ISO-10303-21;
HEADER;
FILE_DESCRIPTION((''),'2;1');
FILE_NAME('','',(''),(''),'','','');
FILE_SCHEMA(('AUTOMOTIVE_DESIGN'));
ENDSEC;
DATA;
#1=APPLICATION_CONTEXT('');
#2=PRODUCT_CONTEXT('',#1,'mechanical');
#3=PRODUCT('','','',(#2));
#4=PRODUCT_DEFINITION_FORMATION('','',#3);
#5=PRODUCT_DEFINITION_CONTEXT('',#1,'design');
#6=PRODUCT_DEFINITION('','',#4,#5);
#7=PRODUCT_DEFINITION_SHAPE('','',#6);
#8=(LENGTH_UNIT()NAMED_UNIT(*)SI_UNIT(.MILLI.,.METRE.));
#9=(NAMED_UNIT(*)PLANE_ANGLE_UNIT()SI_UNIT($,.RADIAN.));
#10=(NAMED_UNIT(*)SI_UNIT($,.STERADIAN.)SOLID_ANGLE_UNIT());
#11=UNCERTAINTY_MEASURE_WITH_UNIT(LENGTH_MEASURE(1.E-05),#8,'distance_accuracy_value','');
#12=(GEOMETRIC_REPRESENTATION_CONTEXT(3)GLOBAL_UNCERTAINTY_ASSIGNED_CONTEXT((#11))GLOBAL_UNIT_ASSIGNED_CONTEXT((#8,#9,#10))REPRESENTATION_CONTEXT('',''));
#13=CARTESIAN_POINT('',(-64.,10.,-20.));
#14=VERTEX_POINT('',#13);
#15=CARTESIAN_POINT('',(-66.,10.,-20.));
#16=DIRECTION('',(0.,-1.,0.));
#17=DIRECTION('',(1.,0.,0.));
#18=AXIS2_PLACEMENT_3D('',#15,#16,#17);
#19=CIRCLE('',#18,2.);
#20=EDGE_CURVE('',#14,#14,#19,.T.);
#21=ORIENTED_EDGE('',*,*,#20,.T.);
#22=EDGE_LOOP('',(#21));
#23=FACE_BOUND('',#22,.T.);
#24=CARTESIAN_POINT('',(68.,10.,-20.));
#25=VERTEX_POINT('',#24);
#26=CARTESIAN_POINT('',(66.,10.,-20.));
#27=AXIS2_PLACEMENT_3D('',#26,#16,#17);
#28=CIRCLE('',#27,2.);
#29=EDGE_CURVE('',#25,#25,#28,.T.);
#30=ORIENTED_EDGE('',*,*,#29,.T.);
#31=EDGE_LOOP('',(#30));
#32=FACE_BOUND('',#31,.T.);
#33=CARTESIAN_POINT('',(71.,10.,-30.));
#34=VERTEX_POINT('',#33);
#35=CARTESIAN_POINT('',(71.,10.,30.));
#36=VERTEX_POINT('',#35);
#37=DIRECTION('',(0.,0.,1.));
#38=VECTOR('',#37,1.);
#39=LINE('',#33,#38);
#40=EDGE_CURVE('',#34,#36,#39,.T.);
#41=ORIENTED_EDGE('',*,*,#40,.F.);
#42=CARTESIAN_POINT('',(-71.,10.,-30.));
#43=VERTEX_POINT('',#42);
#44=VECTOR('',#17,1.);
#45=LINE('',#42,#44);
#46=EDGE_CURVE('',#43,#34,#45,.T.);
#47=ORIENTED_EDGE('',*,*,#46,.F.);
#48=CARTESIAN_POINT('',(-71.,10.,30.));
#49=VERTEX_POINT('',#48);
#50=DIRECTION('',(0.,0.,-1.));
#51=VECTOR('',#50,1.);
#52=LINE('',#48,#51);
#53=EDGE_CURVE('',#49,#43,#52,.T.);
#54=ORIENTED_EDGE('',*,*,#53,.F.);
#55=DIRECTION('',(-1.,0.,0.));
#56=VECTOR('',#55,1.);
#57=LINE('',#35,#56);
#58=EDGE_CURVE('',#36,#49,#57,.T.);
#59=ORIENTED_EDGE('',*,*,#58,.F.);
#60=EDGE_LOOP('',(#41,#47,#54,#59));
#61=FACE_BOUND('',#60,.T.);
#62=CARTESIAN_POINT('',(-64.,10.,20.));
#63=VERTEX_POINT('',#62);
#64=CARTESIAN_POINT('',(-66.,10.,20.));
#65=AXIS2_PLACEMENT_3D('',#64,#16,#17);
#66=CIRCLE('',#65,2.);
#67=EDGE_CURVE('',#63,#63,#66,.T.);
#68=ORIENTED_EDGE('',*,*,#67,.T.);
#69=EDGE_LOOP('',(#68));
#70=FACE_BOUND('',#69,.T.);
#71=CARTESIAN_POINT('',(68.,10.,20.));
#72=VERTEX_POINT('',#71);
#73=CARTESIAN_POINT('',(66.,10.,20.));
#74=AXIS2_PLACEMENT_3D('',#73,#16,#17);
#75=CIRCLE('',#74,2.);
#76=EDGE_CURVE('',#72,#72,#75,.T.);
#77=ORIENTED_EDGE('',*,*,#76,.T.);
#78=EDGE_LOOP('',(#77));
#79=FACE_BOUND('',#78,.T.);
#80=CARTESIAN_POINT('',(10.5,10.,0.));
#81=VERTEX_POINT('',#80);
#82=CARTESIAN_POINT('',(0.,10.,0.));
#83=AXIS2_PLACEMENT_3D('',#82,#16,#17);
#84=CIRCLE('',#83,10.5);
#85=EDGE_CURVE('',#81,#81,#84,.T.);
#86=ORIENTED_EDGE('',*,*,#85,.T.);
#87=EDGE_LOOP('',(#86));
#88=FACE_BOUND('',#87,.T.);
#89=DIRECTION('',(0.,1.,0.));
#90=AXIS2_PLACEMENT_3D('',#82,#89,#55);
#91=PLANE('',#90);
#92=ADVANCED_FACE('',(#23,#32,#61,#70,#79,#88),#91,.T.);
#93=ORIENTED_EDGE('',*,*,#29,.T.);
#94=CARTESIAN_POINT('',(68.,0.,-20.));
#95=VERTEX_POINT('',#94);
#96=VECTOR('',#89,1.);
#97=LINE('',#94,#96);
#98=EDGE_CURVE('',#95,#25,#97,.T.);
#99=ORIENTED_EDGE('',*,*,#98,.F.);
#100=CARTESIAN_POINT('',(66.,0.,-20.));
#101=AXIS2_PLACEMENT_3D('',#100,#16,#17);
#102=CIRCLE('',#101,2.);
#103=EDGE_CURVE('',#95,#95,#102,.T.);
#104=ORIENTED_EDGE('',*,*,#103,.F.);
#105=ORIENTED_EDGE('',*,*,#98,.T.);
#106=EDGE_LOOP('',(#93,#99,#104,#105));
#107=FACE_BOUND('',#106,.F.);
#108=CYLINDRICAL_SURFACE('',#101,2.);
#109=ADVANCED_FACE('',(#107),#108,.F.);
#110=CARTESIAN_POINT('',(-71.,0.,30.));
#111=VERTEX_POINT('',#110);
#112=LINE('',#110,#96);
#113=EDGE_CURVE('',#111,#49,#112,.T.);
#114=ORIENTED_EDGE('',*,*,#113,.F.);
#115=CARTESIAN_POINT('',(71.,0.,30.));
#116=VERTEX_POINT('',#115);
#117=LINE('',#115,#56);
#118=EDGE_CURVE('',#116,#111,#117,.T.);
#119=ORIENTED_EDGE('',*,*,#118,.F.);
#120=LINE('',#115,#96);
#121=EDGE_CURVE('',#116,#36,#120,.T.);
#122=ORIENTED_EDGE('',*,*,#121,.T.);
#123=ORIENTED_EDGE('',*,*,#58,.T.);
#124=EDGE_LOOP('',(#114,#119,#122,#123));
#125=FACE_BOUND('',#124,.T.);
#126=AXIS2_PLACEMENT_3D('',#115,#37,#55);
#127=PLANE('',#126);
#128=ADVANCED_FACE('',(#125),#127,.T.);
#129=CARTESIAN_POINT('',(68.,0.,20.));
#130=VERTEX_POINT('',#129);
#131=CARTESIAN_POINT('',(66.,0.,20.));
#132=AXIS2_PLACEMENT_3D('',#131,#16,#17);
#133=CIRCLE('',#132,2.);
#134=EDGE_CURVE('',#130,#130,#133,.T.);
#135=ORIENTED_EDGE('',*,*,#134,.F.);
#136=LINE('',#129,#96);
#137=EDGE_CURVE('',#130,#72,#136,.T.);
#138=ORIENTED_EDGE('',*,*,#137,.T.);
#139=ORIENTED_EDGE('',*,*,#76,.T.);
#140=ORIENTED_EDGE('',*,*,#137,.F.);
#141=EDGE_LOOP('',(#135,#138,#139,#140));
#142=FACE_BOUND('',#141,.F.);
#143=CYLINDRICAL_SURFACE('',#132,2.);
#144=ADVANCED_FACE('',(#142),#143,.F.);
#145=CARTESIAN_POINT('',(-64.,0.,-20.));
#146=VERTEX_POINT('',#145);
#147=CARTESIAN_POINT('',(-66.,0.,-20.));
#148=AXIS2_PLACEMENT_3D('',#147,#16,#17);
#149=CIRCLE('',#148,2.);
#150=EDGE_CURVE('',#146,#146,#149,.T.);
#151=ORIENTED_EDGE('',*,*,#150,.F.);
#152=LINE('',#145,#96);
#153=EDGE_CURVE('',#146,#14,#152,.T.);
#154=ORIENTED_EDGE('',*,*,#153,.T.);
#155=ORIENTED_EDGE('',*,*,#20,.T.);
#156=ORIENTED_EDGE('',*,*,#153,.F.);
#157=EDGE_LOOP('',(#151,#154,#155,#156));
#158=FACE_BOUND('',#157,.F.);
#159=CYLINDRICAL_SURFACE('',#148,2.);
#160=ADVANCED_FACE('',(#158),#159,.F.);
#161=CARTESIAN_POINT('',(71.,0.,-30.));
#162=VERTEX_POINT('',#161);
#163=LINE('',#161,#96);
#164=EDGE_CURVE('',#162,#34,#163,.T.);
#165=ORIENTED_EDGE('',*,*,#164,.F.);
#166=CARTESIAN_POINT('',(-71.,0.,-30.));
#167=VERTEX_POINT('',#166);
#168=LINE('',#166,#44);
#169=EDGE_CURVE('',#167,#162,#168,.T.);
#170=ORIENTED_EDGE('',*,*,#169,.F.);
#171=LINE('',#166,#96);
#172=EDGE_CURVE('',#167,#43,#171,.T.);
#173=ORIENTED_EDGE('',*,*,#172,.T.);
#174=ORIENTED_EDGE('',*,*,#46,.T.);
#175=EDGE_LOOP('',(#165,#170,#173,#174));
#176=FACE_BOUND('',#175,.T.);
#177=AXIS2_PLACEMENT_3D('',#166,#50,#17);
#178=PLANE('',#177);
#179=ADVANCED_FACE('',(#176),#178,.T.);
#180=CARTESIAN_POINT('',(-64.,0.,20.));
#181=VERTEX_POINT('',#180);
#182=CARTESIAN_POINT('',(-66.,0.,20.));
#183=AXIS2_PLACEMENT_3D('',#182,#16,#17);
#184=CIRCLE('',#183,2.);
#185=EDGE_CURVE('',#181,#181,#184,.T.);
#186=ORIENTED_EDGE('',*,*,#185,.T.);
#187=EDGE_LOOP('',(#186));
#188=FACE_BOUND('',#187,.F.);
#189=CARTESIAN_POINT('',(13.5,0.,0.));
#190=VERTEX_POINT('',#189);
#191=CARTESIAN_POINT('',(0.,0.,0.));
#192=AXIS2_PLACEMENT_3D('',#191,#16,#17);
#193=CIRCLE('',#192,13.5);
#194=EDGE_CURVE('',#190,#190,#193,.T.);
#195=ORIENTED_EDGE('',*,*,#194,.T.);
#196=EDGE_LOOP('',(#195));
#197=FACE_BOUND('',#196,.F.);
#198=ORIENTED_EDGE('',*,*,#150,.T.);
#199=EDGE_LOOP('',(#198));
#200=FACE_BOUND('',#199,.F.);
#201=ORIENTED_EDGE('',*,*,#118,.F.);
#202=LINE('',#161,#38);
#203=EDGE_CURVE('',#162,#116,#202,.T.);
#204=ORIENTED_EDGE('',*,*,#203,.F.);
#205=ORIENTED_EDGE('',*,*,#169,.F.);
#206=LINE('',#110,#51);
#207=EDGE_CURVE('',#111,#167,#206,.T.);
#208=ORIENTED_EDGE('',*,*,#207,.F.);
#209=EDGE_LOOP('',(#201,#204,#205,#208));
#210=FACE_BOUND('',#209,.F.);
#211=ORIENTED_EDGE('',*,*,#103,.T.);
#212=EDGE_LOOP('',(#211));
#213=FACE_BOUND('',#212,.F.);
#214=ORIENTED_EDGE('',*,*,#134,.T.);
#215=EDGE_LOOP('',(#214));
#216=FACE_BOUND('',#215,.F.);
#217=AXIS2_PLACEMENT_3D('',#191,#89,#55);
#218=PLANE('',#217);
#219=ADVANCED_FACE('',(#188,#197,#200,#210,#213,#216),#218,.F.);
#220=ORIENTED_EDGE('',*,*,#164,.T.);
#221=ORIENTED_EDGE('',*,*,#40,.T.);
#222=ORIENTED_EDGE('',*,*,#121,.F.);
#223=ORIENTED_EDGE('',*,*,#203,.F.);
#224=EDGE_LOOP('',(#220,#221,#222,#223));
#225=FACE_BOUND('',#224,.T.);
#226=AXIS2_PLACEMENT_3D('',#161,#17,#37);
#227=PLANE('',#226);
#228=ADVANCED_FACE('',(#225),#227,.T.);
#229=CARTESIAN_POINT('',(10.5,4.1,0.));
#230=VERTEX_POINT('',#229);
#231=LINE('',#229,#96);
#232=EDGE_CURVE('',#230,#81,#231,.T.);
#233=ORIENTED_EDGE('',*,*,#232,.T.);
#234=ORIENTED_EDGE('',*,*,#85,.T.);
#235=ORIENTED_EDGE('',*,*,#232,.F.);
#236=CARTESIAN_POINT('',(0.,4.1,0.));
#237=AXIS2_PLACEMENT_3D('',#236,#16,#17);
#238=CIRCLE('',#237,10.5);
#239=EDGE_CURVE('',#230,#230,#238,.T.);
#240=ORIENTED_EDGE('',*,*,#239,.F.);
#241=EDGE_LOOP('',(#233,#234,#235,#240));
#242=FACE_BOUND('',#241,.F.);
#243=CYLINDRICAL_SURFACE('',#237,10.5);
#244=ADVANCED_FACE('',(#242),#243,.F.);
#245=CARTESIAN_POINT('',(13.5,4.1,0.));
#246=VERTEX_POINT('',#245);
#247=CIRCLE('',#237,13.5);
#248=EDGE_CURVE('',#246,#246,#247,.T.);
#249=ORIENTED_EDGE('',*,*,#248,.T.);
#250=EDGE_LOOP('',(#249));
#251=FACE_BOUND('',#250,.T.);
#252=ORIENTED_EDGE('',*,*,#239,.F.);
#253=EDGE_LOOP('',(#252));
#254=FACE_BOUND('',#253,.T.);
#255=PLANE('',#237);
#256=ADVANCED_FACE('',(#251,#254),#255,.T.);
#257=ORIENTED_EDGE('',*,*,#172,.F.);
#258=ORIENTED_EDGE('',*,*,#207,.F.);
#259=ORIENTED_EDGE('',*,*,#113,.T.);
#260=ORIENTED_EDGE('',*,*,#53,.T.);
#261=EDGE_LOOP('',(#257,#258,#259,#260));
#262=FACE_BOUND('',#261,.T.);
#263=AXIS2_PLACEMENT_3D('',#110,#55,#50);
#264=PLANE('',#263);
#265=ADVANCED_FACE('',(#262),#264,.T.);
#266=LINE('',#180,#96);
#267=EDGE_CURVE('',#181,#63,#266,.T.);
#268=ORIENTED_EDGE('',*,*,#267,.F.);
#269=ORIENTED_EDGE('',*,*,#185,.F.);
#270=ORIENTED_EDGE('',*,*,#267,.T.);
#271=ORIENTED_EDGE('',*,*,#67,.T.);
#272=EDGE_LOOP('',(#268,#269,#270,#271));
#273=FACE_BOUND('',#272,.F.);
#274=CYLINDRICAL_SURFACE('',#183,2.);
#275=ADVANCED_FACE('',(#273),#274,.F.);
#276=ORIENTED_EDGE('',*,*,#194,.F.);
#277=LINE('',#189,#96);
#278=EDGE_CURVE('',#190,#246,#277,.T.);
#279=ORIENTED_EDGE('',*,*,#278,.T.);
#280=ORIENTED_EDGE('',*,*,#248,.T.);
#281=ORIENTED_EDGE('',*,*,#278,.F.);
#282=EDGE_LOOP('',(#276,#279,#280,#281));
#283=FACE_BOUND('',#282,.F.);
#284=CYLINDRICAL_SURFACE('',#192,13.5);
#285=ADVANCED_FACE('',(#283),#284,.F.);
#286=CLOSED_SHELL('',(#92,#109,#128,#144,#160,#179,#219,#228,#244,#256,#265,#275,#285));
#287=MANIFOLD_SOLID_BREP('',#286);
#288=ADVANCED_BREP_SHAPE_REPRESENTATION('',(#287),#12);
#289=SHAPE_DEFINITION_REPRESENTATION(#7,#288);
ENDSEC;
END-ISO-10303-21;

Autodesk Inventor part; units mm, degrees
sketch "スケッチ3" plane through (0, 0, 0) normal (0, 1, 0) x (-1, 0, 0)
  line L0 (71, -30) -> (-71, -30)
  line L1 (-71, -30) -> (-71, 30)
  line L2 (-71, 30) -> (71, 30)
  line L3 (71, 30) -> (71, -30)
  line L4 (71, -30) -> (-71, 30) construction
  line L5 (-71, -30) -> (71, 30) construction
  point P0 (0, 0)
  dimension "d0" = 60
  dimension "d1" = 142
extrude "押し出し1" add sketch "スケッチ3" along normal blind 10
sketch "スケッチ4" plane through (0, 0, 0) normal (0, -1, 0) x (1, 0, 0)
  circle A0 centre (0, 0) radius 13.5
  dimension "d4" = 27
extrude "押し出し2" cut sketch "スケッチ4" against normal blind 4.1
sketch "スケッチ5" plane through (0, 4.1, 0) normal (0, -1, 0) x (1, 0, 0)
  circle A0 centre (0, 0) radius 10.5
  point P0 (0, 0)
  dimension "d7" = 21
extrude "押し出し3" cut sketch "スケッチ5" against normal blind 10
sketch "スケッチ6" plane through (0, 0, 0) normal (0, -1, 0) x (1, 0, 0)
  circle A0 centre (-66, 20) radius 2
  line L0 (-71, 30) -> (-71, -30) projected
  line L1 (71, 30) -> (-71, 30) projected
  line L2 (-99.4, 0) -> (99.4, 0) projected
  circle A1 centre (-66, -20) radius 2
  line L3 (0, -42) -> (0, 42) projected
  circle A2 centre (66, 20) radius 2
  circle A3 centre (66, -20) radius 2
  point P0 (0, 0)
  dimension "d10" = 4
  dimension "d11" = 5
  dimension "d12" = 10
extrude "押し出し4" cut sketch "スケッチ6" against normal blind 10 contours A0 | A1 | A2 | A3
properties part number "Diffbox_plate_satelite" material "アルミニウム 6061"
